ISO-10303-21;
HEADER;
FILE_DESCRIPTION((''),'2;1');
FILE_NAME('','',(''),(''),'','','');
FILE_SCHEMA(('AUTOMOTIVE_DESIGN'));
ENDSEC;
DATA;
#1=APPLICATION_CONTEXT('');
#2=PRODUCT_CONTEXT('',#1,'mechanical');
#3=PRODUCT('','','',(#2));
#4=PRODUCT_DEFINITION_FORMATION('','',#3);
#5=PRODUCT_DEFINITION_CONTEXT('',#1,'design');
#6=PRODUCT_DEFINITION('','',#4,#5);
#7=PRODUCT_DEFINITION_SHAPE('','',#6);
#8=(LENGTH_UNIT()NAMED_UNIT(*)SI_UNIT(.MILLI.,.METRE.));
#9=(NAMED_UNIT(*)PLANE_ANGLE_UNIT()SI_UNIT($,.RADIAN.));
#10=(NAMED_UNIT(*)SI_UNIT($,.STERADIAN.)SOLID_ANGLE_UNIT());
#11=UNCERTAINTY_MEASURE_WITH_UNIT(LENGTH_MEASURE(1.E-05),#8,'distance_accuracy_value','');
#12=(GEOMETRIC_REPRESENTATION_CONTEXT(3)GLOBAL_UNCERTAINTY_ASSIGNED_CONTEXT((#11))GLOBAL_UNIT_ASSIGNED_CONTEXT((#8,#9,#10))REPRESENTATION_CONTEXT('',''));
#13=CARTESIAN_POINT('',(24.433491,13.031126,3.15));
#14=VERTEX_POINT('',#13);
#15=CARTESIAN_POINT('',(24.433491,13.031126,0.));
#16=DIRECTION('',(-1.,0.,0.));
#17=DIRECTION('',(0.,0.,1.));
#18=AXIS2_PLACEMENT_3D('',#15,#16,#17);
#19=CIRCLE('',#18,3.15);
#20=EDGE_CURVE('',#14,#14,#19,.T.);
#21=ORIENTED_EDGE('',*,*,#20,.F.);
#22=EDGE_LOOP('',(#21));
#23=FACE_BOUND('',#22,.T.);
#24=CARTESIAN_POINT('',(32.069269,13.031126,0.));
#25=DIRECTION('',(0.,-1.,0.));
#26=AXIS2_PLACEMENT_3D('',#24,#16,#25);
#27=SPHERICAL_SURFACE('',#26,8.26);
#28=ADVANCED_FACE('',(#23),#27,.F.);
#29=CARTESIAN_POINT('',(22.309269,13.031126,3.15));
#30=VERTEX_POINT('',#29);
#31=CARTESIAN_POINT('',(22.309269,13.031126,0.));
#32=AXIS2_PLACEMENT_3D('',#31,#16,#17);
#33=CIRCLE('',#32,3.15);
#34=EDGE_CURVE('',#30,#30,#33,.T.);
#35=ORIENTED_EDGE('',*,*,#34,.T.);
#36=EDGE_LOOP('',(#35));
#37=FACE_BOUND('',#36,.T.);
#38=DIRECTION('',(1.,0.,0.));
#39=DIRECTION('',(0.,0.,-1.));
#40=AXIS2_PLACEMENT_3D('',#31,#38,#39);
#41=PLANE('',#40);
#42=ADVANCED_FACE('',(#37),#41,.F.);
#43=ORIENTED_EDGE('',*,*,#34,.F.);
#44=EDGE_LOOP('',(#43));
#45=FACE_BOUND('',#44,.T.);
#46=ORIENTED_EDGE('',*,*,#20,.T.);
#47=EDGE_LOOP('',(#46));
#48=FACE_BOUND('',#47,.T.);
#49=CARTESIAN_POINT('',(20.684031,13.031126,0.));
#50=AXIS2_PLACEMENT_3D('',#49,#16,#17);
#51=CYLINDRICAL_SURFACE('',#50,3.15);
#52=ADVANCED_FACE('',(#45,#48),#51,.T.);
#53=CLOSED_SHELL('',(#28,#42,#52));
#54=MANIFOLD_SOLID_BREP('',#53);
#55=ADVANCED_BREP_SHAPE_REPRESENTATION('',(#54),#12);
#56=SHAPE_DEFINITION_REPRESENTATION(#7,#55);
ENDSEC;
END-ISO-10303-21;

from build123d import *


with BuildPart() as part:
    # 草图1 → 旋转1 (revolve)
    with BuildSketch(Plane.XY, mode=Mode.PRIVATE) as revolve_1_sk:
        with BuildLine():
            Line((22.309268833, 13.031126091), (22.309268833, 16.181126091))
            Line((22.309268833, 16.181126091), (24.433491204, 16.181126091))
            ThreePointArc((24.433491204, 16.181126091), (23.966827126, 14.636753194), (23.809268833, 13.031126091))
            Line((23.809268833, 13.031126091), (22.309268833, 13.031126091))
        make_face()
    revolve(revolve_1_sk.sketch.rotate(Axis((20.684030635, 13.031126091, 0), (1, 0, 0)), 180), axis=Axis((20.684030635, 13.031126091, 0), (1, 0, 0)))  # turned: the seam where the file's is


solid = part.part
